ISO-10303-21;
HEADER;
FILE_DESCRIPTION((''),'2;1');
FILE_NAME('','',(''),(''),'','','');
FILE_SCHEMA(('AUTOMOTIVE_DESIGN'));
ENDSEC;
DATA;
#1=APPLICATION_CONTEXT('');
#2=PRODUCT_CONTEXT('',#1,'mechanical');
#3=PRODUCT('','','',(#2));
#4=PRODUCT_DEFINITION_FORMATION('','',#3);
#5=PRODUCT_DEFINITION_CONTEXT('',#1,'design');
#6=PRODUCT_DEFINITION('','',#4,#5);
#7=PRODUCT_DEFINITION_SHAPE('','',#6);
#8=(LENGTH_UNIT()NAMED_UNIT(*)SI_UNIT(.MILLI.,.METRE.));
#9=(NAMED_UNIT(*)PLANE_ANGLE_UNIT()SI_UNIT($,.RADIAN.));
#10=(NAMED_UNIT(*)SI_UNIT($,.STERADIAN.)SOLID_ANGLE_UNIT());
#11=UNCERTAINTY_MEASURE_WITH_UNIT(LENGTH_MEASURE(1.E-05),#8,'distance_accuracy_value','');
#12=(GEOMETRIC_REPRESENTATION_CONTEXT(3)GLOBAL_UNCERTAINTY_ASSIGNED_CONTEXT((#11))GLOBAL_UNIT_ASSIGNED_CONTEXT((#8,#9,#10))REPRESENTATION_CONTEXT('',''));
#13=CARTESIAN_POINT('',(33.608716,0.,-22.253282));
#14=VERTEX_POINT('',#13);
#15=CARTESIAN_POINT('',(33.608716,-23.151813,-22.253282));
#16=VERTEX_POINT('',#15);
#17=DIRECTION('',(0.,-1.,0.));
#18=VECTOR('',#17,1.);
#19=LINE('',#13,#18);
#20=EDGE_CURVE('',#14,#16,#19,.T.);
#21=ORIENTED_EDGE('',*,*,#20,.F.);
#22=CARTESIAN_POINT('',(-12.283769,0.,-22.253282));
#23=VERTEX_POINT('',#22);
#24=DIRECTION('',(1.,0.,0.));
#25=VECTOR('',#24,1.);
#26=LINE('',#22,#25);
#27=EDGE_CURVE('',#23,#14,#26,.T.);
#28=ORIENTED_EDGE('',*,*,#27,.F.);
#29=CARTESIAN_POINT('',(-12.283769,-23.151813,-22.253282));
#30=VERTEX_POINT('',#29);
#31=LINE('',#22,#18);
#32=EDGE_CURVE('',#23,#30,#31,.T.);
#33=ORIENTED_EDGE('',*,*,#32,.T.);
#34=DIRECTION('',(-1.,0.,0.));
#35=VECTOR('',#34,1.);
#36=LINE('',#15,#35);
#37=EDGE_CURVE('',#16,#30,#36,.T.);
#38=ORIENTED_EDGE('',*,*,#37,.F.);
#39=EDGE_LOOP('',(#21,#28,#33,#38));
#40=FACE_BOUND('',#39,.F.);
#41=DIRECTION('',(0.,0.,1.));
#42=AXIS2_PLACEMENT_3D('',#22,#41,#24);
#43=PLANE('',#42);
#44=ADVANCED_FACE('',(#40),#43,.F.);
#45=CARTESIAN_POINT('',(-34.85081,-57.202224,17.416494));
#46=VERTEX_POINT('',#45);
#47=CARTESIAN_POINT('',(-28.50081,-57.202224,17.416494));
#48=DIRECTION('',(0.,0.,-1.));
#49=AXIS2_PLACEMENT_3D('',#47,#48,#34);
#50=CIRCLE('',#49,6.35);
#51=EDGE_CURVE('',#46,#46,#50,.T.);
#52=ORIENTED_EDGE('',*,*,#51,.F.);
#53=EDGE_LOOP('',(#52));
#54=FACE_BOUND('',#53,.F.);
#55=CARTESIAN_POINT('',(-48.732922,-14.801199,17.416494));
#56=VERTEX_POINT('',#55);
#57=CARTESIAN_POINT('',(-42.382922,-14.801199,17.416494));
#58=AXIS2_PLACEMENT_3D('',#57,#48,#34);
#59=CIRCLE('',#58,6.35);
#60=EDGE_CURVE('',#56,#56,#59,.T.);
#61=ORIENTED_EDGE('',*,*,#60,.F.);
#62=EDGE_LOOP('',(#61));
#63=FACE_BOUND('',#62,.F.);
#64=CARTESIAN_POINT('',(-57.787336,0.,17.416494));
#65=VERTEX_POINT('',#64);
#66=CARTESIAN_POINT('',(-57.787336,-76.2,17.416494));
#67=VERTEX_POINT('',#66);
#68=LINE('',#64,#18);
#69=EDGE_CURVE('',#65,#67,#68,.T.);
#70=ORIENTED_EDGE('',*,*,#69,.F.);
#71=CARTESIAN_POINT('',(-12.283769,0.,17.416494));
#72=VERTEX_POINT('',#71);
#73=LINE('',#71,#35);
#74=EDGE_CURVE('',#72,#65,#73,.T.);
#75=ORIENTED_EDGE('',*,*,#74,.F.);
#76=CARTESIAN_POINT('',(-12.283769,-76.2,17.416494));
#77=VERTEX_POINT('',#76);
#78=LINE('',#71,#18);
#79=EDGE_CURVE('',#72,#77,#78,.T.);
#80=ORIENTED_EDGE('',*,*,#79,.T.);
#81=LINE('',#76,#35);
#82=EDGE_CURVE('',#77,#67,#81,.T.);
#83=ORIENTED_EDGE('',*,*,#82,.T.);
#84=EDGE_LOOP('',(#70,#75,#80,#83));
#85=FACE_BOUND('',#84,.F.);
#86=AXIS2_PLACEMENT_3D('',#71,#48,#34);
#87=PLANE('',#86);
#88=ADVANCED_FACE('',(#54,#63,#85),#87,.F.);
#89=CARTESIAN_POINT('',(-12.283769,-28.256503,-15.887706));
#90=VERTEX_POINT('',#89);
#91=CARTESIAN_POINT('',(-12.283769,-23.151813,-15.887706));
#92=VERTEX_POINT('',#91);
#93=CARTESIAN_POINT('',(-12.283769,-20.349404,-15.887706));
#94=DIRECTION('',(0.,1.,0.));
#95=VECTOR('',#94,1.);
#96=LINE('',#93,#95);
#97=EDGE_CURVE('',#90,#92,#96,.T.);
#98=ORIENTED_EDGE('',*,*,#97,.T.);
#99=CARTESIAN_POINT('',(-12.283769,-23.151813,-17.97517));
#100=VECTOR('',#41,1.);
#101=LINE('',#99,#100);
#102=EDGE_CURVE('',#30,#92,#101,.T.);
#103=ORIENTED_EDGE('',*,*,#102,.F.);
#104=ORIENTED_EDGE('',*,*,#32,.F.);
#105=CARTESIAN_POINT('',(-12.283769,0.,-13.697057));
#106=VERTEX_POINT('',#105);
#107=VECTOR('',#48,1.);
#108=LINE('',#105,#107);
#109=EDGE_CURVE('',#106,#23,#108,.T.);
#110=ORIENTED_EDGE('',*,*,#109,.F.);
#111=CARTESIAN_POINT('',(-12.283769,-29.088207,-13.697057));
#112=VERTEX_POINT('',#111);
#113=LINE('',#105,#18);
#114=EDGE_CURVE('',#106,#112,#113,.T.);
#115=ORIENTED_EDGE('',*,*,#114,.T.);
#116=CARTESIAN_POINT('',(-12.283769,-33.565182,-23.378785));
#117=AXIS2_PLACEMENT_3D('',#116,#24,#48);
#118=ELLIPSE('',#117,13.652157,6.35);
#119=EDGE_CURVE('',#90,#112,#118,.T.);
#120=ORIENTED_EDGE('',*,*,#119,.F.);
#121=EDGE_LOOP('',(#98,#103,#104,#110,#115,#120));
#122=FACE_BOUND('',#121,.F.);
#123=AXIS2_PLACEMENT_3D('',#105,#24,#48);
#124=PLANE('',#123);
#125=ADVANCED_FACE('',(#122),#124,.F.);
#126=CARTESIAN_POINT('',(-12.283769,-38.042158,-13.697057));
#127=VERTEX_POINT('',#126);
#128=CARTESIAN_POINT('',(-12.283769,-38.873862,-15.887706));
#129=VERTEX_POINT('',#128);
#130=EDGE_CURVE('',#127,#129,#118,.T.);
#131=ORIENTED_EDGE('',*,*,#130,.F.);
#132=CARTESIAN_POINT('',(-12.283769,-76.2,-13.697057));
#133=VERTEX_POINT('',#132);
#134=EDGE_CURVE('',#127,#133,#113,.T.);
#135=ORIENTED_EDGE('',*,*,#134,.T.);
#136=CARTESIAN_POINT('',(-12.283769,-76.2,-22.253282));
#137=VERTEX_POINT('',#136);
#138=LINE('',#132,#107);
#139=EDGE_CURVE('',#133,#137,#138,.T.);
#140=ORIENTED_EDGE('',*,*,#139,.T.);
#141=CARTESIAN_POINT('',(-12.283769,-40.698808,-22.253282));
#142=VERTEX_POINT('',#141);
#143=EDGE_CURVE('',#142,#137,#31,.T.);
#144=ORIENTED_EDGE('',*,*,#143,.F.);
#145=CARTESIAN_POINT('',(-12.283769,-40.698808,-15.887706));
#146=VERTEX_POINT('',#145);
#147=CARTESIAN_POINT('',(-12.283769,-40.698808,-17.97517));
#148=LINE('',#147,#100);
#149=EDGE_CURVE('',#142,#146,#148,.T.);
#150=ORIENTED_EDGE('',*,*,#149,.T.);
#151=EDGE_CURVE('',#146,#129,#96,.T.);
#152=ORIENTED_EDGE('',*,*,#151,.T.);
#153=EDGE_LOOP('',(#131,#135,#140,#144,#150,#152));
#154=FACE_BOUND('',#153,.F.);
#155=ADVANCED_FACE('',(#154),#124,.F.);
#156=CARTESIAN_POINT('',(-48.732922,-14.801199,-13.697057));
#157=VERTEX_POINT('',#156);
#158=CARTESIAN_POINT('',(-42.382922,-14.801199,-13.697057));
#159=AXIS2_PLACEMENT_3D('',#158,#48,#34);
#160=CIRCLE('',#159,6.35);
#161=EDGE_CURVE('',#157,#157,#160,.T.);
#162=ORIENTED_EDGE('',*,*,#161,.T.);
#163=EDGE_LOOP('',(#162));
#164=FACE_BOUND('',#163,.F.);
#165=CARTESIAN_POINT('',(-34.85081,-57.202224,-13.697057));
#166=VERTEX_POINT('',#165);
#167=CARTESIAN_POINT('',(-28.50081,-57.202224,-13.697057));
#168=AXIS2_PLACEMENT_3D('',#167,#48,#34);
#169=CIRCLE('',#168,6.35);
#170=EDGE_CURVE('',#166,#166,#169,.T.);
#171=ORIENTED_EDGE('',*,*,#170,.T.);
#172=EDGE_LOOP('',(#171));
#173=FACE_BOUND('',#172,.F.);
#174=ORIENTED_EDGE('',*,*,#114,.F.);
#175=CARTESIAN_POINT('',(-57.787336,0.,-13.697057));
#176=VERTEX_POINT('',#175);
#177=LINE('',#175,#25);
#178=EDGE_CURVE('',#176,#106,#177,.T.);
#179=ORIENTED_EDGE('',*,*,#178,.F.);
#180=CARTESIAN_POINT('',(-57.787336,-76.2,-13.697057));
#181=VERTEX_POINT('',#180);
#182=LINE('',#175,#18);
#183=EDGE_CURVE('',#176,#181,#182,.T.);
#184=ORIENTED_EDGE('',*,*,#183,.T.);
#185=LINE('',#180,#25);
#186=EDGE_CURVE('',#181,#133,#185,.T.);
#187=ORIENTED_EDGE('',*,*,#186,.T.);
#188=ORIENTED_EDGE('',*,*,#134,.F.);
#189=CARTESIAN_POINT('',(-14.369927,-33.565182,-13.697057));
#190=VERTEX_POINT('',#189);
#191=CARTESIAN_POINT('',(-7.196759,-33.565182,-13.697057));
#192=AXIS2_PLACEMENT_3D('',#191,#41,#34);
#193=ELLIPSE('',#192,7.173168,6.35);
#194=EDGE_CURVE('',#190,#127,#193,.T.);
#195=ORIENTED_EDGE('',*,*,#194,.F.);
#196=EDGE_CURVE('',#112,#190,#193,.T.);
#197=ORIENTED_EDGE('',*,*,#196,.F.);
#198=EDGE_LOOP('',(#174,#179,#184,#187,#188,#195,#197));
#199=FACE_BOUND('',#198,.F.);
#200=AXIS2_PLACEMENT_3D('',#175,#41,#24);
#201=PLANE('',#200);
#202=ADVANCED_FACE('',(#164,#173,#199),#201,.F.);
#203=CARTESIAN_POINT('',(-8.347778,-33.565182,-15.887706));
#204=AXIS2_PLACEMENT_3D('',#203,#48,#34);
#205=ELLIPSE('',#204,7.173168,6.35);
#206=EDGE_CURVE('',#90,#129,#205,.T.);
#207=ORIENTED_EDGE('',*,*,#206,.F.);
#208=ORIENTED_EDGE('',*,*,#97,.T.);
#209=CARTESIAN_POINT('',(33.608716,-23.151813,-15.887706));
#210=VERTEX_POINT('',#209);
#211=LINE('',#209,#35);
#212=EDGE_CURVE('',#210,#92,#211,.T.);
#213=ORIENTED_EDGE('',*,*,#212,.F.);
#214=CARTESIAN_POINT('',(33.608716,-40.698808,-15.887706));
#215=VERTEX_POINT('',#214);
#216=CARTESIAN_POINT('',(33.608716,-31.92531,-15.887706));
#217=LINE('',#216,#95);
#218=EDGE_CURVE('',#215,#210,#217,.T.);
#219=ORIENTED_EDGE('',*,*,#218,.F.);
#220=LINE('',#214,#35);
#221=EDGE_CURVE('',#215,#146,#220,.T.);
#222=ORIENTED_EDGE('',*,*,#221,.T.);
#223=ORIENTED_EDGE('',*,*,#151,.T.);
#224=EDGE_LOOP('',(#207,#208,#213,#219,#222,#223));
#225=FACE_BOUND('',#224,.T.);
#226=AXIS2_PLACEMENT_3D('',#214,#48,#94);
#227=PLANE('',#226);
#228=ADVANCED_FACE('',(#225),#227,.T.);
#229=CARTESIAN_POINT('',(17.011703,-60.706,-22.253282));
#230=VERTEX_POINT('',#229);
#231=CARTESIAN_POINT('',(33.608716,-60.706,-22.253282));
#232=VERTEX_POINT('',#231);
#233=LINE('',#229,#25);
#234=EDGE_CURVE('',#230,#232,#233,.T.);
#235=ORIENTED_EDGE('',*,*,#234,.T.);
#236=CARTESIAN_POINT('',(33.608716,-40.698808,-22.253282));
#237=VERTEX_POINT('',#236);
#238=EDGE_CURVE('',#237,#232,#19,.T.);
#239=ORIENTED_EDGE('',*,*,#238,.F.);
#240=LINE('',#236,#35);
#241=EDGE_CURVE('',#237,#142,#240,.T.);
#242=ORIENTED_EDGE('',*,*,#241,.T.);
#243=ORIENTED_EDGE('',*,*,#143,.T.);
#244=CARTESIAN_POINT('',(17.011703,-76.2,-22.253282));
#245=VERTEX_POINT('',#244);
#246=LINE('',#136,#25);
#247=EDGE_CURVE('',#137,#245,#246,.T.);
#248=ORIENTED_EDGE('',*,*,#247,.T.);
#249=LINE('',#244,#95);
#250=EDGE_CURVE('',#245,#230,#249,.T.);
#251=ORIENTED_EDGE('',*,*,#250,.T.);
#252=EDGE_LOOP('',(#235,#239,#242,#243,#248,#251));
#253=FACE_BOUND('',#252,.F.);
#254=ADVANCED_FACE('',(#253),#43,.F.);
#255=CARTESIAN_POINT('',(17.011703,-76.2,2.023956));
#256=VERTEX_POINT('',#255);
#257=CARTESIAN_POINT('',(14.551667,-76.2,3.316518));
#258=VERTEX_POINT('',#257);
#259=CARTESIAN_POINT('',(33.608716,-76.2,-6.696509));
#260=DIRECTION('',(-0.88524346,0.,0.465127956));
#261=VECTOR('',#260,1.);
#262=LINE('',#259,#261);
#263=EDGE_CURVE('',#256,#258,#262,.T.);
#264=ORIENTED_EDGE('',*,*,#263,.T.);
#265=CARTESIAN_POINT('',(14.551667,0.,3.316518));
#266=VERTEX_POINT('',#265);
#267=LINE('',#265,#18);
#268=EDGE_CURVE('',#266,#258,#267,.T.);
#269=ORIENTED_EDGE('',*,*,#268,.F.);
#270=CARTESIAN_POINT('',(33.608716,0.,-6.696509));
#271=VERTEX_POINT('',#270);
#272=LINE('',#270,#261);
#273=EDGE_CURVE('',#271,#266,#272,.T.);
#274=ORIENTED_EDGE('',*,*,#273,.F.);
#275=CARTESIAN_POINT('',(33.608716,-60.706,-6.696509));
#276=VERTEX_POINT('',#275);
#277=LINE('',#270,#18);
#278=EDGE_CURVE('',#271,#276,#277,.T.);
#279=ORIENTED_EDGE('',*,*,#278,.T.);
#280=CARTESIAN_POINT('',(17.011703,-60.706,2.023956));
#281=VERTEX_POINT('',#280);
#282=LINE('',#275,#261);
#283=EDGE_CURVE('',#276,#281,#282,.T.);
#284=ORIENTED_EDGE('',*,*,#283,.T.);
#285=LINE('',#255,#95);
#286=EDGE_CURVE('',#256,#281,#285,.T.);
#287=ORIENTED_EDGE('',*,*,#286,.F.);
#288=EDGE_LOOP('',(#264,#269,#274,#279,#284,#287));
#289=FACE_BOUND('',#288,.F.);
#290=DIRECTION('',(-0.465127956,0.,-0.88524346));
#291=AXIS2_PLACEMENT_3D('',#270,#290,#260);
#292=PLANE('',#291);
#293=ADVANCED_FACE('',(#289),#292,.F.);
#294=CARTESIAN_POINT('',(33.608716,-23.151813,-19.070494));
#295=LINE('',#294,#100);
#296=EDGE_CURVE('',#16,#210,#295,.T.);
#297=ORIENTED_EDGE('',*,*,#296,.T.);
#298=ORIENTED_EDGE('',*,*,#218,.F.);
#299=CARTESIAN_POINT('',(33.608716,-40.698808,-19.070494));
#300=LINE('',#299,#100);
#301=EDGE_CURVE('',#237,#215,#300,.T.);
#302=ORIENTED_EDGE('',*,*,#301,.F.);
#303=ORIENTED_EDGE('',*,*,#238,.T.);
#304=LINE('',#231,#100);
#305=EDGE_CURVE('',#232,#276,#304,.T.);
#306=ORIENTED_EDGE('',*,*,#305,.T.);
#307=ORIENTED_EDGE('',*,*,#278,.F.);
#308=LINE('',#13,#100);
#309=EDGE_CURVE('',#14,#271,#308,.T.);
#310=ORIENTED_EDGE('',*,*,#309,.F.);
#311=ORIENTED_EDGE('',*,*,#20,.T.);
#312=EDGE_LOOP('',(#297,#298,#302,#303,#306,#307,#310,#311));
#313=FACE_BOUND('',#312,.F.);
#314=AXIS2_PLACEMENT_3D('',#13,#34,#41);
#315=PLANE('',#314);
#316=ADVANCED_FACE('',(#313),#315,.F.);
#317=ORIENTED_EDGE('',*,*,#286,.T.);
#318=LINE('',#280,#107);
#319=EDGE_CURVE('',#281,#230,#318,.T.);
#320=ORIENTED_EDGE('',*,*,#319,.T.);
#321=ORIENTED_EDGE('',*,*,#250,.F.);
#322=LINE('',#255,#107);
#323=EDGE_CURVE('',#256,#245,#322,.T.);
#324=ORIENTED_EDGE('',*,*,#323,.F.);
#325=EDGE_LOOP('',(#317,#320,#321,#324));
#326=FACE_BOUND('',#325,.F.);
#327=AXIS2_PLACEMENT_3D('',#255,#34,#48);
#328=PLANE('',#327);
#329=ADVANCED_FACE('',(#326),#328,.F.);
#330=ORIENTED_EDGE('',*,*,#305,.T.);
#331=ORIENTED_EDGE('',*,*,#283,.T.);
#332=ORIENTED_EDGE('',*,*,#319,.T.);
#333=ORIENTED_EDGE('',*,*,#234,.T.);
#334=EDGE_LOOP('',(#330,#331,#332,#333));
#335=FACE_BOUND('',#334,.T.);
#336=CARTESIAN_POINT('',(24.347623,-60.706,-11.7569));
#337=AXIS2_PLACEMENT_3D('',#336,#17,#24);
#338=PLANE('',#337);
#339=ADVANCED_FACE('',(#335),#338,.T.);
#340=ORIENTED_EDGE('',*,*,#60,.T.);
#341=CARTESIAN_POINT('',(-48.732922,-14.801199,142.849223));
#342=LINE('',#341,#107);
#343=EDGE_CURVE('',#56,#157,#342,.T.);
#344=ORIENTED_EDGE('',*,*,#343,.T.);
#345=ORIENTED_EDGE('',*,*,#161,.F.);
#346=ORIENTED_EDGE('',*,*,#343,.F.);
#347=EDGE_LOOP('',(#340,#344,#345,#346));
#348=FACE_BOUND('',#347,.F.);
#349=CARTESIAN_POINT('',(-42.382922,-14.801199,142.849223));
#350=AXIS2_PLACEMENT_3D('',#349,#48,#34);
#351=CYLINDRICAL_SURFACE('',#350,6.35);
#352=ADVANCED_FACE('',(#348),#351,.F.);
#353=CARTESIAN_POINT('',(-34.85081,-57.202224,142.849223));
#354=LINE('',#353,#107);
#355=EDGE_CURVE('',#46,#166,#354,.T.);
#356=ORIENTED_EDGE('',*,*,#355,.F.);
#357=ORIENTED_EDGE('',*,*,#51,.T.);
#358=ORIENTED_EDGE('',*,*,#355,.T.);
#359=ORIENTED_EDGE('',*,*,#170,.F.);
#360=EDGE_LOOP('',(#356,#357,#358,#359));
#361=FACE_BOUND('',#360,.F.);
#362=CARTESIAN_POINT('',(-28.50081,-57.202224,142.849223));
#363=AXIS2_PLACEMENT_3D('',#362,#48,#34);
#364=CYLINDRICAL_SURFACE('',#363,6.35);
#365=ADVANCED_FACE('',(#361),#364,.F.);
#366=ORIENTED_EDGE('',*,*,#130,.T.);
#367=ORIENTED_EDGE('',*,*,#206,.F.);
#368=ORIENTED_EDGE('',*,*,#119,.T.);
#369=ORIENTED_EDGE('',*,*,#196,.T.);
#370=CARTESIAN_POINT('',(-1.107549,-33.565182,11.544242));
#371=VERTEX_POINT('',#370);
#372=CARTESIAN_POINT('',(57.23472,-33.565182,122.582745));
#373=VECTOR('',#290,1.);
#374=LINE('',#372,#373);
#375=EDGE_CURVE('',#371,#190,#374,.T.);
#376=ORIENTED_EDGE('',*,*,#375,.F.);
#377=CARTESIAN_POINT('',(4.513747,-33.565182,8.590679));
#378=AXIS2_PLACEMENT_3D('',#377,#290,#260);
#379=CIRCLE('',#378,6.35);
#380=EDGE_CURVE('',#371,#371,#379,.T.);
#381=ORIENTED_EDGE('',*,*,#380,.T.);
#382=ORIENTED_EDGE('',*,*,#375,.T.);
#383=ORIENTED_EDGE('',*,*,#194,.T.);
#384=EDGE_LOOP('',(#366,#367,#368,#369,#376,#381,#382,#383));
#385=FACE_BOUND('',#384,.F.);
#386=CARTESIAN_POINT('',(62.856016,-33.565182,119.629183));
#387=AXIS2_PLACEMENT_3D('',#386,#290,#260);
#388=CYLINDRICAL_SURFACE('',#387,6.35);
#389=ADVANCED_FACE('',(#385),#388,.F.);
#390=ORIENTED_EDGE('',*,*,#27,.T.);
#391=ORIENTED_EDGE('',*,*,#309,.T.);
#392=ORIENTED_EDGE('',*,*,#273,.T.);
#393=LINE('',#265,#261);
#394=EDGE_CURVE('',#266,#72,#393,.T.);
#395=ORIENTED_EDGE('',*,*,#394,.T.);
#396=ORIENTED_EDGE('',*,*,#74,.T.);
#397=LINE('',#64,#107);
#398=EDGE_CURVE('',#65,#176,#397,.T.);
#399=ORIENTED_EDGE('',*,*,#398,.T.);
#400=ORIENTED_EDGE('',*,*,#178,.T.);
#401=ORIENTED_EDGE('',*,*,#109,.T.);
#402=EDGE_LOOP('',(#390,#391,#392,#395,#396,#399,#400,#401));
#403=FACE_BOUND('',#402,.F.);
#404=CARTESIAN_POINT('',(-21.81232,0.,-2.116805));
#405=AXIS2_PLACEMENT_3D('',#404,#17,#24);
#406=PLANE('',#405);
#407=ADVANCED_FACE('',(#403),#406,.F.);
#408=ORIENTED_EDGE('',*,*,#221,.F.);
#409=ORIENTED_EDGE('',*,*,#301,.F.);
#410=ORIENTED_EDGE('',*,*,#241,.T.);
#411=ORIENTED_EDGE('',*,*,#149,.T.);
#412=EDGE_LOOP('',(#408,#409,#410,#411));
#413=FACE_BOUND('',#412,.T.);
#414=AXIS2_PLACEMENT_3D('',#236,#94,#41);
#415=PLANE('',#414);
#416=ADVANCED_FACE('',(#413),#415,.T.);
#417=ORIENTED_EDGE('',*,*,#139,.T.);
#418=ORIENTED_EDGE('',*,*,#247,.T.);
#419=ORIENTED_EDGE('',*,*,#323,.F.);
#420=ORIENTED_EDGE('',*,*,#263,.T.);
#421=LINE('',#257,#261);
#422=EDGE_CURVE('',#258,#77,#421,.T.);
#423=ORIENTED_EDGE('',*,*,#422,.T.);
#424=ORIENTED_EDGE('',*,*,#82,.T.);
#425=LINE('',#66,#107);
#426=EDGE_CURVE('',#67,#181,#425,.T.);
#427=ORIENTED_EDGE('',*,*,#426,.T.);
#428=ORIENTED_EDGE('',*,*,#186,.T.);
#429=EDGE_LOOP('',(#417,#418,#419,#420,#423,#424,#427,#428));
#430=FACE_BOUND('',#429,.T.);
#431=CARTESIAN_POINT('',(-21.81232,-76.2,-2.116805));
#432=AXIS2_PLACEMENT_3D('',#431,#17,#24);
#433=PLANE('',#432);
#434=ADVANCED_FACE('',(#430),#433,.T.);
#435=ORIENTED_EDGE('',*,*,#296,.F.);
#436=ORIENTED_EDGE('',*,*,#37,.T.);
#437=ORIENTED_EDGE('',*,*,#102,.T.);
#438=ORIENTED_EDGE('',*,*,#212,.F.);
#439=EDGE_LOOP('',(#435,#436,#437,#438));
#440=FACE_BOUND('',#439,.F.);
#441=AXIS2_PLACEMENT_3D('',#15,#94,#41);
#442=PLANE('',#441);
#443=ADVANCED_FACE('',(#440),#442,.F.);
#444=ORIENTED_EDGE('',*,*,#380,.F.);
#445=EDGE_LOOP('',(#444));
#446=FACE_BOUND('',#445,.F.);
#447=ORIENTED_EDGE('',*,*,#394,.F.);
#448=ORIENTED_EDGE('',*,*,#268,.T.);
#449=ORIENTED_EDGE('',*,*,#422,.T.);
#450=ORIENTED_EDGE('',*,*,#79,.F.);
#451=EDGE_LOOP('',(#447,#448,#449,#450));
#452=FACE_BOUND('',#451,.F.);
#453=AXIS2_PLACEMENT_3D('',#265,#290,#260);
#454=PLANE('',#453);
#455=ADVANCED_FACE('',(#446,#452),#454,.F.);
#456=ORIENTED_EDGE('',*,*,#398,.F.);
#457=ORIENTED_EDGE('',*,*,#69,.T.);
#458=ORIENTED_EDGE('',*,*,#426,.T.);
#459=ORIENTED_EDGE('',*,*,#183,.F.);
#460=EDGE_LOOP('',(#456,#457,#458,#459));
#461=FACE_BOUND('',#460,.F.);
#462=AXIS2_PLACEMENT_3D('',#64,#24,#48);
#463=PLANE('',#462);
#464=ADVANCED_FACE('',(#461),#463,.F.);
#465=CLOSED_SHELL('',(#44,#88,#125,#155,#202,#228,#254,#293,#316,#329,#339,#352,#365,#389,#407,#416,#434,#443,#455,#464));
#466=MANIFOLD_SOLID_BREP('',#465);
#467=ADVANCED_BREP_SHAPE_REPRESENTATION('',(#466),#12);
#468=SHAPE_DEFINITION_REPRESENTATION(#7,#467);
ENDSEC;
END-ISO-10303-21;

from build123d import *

# Parameters (mm, degrees)
F1_DEPTH = 76.2
F3_D     = 12.7
F5_DEPTH = 15.494
F6_W     = 17.5469946116
F6_H     = 6.365576759
F7_DEPTH = 76.2
F9_D     = 12.7


with BuildPart() as f1:
    # F0 (on Front) → F1 (new body)
    with BuildSketch(Plane.XZ):
        Polygon((-12.2837694362, 17.4164939672), (-57.7873364091, 17.4164939672), (-57.7873364091, -13.6970570311), (-12.2837694362, -13.6970570311), (-12.2837694362, -22.2532823682), (14.5516674966, -22.2532823682), (14.5516674966, 3.3165175266), align=None)
        Polygon((33.6087159812, -6.6965087317), (14.5516674966, 3.3165175266), (14.5516674966, -22.2532823682), (33.6087159812, -22.2532823682), align=None)
    extrude(amount=F1_DEPTH)

    # F3 (through all)
    with Locations(Plane.XY.offset(17.4164939672)):
        with Locations((-42.3829220235, -14.8011986166), (-28.5008102655, -57.2022236884)):
            Hole(F3_D / 2)

    # F4 (on face) → F5 (cut)
    with BuildSketch(Plane.XZ.offset(76.2)):
        Polygon((33.6087159812, -6.6965087317), (17.0117028464, 2.023956479), (17.0117028464, -22.2532823682), (33.6087159812, -22.2532823682), align=None)
    extrude(amount=-F5_DEPTH, mode=Mode.SUBTRACT)

    # F6 (on face) → F7 (cut)
    with BuildSketch(Plane.YZ.offset(33.6087159812)):
        with Locations((-31.9253103808, -19.0704939887)):
            Rectangle(F6_W, F6_H)
    extrude(amount=-F7_DEPTH, mode=Mode.SUBTRACT)

    # F9 (through all)
    with Locations(Plane(origin=(4.5137471869, 0, 8.5906794578), x_dir=(0.8852434605, 0, -0.4651279563), z_dir=(0.4651279563, 0, 0.8852434605))):
        with Locations((0, -33.5651822388)):
            Hole(F9_D / 2)


solid = f1.part
